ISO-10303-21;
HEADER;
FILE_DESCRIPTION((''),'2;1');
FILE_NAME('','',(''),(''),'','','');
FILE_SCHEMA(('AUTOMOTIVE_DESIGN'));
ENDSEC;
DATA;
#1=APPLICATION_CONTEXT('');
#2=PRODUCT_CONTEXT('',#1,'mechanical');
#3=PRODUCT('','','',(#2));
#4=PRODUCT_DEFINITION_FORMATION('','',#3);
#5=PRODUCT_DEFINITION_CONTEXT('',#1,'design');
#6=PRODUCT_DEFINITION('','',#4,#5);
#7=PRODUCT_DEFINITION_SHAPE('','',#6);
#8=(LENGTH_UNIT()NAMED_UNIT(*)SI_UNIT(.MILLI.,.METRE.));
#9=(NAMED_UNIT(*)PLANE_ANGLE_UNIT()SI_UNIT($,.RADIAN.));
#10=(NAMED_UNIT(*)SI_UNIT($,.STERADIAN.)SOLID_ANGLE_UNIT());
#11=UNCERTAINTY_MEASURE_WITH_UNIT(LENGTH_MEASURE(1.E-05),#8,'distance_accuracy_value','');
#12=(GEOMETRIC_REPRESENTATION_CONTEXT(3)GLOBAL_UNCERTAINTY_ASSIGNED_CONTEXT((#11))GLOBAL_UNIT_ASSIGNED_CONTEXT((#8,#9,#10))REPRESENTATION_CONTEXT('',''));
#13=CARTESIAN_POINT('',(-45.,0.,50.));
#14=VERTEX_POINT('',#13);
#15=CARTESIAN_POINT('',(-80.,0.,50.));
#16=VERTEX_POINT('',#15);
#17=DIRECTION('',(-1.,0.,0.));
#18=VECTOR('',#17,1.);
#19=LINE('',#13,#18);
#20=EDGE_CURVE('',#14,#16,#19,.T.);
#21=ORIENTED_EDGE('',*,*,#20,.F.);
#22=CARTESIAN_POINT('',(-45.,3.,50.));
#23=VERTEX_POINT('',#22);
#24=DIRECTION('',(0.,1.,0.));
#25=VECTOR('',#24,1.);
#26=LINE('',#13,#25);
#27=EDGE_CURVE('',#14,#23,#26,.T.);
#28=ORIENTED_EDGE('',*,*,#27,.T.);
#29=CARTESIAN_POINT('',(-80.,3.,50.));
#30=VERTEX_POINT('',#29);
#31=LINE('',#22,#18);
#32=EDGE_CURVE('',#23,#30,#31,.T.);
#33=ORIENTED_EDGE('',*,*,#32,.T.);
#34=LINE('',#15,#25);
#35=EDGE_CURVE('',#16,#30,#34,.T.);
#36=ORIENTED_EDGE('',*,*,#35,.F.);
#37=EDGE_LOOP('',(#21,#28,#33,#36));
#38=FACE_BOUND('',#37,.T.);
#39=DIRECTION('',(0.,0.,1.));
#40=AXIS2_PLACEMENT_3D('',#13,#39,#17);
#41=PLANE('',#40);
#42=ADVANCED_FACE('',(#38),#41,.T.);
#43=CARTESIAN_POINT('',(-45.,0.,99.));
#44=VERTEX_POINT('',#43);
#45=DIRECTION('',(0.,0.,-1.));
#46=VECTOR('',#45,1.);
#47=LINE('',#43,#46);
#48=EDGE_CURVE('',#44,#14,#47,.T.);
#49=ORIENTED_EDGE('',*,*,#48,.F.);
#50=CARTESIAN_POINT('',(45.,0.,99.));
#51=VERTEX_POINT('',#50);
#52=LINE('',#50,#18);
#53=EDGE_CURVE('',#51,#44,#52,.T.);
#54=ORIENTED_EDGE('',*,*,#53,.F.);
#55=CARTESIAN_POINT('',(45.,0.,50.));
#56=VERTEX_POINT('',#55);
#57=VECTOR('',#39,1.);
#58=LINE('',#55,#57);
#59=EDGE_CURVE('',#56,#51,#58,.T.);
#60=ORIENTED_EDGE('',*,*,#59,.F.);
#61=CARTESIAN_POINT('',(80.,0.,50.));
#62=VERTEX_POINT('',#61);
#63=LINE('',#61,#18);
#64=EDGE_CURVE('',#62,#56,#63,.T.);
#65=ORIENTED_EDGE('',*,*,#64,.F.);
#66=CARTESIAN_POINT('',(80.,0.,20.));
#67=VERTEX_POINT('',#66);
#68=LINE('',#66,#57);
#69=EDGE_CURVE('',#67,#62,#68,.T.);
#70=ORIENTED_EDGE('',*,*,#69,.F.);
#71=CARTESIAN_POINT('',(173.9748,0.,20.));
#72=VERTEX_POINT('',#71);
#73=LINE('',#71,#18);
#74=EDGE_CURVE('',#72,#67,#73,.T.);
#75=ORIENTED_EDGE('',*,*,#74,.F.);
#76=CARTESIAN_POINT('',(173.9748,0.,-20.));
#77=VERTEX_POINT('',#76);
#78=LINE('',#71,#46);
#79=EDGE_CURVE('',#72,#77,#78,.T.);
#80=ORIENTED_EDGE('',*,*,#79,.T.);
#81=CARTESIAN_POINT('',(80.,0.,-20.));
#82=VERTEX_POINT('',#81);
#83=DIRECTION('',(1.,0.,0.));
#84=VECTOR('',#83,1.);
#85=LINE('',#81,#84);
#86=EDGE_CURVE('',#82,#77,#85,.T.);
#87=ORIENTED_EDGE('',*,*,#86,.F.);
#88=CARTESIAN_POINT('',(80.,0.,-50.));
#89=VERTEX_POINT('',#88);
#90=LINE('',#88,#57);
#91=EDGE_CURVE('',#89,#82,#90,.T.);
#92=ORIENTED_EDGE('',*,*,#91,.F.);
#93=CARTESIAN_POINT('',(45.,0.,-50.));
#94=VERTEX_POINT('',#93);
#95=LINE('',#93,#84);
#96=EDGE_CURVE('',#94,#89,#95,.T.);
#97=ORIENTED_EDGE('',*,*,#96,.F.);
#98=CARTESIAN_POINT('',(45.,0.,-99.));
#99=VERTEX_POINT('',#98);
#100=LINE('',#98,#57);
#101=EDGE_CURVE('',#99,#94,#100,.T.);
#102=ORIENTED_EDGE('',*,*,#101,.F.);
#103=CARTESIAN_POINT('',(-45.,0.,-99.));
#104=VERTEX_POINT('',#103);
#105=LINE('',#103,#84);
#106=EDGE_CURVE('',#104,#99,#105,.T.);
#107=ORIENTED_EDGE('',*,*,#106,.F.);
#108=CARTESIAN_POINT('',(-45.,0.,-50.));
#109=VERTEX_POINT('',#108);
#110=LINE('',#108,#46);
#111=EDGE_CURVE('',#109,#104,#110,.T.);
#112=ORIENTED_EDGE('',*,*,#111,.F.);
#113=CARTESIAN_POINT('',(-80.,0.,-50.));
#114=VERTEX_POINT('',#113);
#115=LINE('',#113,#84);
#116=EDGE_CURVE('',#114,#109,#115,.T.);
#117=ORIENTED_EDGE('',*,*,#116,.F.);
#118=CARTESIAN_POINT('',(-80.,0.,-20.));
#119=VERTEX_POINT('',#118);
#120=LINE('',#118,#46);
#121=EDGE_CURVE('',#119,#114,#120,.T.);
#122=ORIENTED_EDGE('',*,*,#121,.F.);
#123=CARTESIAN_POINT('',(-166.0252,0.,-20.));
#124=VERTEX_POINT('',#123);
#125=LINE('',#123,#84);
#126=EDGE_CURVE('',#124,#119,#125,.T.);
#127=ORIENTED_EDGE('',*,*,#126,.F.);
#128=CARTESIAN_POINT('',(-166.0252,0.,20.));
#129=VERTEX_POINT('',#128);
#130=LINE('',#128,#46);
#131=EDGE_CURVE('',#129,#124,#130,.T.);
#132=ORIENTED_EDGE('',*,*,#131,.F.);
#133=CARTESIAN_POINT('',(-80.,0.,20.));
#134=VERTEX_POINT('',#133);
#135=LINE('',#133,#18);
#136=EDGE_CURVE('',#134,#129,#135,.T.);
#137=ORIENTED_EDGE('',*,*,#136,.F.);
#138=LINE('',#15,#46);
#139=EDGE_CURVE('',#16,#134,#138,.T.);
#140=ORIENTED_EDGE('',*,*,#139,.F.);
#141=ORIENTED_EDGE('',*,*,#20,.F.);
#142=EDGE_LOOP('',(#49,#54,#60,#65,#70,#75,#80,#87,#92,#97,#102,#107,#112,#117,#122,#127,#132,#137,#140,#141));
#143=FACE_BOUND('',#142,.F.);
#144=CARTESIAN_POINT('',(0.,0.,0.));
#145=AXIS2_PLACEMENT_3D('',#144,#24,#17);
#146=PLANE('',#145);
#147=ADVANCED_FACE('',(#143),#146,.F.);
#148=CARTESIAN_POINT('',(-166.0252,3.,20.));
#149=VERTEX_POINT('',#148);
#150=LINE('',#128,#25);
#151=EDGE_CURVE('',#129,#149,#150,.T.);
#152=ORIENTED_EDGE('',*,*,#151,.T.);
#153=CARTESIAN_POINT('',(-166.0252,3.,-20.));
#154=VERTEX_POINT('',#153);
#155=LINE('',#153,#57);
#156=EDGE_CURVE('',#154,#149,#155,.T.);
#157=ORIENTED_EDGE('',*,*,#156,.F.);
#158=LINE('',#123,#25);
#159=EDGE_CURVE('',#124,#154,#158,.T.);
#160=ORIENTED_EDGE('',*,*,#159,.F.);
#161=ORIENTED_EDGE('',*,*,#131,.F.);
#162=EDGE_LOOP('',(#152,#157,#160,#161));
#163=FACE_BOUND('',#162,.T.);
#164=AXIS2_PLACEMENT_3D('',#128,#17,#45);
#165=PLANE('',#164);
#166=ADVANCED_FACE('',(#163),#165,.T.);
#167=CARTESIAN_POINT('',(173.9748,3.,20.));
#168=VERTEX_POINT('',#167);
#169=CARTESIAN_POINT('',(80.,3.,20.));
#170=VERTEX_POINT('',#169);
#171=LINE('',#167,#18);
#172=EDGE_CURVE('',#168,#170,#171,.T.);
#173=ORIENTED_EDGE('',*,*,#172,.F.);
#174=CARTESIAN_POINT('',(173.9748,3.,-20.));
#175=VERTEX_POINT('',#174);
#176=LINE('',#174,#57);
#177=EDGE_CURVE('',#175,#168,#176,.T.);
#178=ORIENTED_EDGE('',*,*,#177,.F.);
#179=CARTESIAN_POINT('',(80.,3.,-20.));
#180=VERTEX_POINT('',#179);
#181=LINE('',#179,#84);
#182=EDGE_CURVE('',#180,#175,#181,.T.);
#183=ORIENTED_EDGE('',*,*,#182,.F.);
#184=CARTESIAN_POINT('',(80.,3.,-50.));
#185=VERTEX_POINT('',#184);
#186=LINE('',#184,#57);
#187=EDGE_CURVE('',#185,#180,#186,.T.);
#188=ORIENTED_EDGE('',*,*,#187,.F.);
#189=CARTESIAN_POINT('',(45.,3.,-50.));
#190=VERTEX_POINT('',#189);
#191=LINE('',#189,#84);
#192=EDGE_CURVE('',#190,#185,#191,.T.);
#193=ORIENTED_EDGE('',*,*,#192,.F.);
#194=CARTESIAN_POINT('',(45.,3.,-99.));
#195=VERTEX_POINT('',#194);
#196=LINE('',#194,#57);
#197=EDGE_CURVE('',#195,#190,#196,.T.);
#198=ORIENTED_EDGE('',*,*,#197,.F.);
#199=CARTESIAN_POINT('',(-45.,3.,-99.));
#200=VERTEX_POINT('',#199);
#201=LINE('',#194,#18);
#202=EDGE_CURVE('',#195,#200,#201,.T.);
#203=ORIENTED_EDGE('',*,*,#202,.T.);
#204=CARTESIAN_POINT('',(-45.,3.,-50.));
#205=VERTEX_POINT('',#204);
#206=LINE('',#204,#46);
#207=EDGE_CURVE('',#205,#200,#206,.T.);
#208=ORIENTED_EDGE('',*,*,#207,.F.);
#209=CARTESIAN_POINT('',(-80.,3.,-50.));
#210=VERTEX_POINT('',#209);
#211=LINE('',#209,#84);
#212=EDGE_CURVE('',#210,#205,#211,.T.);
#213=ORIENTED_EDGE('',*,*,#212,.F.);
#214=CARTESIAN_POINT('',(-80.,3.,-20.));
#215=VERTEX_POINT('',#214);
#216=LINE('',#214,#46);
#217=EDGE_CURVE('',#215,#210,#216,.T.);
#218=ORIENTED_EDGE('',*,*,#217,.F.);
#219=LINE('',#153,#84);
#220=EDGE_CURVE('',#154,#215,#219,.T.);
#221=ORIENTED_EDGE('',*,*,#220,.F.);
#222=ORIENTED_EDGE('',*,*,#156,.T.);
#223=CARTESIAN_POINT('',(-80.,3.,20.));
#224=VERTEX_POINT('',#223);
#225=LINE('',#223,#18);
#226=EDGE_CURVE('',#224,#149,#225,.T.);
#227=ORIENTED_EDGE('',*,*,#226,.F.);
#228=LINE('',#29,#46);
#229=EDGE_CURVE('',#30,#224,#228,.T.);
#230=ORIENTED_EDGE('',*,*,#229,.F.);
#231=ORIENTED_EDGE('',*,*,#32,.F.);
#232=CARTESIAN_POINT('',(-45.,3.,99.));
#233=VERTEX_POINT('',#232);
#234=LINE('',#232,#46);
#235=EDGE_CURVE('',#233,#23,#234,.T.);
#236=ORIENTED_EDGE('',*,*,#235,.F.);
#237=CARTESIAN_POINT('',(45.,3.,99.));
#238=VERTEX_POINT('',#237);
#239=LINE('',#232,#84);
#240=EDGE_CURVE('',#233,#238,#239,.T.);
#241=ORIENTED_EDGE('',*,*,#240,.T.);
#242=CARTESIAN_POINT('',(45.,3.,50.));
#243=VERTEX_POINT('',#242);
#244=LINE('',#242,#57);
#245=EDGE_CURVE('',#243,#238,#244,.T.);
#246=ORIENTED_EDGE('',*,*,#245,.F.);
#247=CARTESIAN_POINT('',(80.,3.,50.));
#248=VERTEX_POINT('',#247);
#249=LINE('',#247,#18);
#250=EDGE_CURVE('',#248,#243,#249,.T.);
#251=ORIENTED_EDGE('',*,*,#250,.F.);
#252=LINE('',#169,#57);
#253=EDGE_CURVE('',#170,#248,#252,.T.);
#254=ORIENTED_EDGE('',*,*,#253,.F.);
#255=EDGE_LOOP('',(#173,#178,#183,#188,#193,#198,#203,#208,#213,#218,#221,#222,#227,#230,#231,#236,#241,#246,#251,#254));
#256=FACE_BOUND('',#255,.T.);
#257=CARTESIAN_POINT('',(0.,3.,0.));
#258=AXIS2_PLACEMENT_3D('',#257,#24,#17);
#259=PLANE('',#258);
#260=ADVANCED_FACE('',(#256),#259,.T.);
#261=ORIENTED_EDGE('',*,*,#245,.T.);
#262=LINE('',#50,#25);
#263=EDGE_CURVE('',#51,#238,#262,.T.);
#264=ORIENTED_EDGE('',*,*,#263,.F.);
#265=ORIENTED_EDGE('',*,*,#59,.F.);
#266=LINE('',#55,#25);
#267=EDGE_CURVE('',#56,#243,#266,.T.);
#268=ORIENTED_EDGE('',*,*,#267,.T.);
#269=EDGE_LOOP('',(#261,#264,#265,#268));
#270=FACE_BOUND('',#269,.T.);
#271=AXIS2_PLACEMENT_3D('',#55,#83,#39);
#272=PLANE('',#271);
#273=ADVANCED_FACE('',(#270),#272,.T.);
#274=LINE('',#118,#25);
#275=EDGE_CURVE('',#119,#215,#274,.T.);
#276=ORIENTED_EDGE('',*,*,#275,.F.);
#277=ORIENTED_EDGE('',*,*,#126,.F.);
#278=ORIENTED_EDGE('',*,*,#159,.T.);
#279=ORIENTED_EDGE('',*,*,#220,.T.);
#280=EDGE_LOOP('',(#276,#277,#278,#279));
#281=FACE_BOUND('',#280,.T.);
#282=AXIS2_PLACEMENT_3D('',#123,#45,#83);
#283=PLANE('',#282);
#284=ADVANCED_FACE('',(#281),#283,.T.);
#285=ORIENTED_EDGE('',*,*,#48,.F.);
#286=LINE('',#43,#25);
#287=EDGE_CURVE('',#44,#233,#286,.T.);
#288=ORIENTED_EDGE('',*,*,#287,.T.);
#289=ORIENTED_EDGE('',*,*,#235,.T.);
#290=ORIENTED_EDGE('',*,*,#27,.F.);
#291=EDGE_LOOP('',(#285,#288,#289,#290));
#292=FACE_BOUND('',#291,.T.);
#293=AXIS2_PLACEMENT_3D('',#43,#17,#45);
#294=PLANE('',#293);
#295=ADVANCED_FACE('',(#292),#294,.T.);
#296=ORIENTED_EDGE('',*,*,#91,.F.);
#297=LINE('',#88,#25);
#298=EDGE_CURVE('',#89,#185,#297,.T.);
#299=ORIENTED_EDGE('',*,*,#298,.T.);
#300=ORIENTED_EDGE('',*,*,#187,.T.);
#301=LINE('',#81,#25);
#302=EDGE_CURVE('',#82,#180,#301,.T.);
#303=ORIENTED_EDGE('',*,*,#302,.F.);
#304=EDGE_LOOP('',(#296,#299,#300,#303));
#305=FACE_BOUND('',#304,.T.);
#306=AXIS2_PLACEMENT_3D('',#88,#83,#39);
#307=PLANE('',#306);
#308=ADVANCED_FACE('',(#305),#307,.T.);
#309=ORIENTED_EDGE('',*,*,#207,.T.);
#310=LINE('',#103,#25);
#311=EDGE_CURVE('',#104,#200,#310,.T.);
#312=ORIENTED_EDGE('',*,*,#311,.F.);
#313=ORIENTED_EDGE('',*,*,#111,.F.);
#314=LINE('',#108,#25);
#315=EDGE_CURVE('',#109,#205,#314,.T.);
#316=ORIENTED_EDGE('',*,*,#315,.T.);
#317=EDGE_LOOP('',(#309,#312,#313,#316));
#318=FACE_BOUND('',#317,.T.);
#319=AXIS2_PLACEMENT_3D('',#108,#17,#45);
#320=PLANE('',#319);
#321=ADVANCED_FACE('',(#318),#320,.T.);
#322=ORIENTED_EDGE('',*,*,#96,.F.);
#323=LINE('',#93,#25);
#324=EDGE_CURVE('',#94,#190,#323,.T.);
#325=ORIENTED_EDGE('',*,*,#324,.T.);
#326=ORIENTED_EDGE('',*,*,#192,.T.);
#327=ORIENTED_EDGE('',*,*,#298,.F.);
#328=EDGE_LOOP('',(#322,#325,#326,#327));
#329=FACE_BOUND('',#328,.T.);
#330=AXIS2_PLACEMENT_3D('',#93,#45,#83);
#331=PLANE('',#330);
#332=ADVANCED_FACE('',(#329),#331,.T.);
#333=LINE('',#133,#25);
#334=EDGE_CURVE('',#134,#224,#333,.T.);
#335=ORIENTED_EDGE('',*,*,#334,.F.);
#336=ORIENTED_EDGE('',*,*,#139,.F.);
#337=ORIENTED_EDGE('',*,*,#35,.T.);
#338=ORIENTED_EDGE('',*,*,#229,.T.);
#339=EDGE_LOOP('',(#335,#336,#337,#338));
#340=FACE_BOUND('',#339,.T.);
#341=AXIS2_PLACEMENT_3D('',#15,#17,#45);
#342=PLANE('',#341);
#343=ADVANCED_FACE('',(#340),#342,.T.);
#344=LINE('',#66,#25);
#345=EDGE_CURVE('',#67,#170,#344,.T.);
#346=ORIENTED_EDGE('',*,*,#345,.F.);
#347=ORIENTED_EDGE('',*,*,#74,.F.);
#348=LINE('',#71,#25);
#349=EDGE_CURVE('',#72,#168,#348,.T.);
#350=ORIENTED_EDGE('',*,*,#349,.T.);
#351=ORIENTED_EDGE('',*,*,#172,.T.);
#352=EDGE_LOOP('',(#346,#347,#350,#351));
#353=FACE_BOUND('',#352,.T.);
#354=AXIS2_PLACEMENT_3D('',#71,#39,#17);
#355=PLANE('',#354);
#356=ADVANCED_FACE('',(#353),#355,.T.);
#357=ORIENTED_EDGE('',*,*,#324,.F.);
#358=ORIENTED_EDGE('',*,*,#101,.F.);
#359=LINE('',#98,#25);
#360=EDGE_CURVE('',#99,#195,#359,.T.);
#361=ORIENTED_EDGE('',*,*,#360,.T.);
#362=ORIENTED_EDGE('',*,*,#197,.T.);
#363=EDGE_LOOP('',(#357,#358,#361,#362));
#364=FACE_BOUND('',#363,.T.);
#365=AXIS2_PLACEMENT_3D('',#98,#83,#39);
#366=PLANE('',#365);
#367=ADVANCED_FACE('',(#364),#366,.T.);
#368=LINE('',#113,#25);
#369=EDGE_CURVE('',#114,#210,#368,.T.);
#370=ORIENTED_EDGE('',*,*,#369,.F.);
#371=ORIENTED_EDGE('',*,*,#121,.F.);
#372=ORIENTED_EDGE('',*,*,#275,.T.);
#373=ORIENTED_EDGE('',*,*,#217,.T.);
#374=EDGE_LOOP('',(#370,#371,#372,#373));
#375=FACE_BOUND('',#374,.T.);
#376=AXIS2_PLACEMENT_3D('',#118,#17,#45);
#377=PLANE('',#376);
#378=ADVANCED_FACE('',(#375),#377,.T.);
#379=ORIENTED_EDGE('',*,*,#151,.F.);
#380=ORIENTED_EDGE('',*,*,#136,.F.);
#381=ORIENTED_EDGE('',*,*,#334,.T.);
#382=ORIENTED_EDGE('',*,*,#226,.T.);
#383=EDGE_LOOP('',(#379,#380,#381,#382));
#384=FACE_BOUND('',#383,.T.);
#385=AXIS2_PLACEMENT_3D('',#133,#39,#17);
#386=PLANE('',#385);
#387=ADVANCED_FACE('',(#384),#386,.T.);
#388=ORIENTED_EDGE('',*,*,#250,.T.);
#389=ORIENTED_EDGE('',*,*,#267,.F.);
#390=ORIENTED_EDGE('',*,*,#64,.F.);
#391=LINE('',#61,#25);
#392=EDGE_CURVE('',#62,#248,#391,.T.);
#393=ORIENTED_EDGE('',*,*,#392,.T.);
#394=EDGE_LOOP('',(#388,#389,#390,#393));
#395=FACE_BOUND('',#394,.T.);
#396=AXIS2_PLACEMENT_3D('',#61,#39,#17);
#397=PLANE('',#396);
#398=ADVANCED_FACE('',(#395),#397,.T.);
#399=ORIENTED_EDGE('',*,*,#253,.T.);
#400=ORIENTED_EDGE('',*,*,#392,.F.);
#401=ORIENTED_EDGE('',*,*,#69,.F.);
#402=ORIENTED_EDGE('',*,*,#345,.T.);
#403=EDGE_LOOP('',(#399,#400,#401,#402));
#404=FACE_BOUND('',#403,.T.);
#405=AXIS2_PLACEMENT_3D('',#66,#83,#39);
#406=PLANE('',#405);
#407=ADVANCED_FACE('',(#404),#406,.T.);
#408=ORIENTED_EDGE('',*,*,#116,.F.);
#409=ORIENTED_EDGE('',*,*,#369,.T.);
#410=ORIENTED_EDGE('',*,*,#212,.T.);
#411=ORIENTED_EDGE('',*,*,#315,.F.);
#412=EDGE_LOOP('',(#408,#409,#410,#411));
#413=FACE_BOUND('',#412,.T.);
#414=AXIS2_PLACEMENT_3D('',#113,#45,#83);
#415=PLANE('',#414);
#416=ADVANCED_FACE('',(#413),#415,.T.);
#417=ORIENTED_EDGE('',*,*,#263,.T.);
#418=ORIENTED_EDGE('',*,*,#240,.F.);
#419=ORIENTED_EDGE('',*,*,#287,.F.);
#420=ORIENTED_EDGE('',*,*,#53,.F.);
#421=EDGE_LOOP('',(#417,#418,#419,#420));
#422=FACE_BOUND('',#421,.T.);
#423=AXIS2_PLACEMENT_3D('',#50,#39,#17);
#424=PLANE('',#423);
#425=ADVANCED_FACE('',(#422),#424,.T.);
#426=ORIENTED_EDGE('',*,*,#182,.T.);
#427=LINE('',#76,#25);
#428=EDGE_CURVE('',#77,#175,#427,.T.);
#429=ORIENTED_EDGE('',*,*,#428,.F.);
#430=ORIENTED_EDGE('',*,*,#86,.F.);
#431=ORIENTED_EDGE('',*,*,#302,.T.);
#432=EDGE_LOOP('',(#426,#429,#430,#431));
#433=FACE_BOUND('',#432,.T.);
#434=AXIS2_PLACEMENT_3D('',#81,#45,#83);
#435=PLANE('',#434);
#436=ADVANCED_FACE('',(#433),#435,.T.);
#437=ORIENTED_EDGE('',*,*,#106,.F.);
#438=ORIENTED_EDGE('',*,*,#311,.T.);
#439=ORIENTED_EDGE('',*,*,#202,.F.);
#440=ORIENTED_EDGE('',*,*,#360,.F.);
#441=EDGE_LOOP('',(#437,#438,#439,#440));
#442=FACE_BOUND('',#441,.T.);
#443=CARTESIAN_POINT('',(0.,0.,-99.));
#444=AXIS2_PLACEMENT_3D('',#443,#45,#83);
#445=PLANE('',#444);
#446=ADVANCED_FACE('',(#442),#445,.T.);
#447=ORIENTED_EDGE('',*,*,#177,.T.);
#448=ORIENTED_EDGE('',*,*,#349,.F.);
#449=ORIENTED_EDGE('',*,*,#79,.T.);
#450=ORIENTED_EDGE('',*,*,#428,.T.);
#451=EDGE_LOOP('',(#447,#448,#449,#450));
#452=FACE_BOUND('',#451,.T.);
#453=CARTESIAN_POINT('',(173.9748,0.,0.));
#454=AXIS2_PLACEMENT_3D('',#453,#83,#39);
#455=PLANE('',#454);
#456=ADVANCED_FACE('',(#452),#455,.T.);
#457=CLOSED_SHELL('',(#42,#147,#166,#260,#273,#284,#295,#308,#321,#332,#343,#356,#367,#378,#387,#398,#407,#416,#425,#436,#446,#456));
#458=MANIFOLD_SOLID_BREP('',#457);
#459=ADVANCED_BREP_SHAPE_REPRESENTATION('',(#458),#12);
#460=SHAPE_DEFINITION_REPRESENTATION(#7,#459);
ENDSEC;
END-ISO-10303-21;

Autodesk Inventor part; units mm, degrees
ref_plane "YZ Plane" through (0, 0, 0) normal (1, 0, 0) x (0, 1, 0)
ref_plane "XZ Plane" through (0, 0, 0) normal (0, 1, 0) x (-1, 0, 0)
ref_plane "XY Plane" through (0, 0, 0) normal (0, 0, 1) x (1, 0, 0)
sketch "Skizze1" plane through (0, 0, 0) normal (0, 1, 0) x (-1, 0, 0)
  point P0 (0, 0)
sketch "Skizze2" plane through (0, 0, 0) normal (0, 1, 0) x (-1, 0, 0)
  line L0 (0, 99) -> (45, 99)
  line L1 (45, 99) -> (45, 50)
  line L2 (45, 50) -> (80, 50)
  line L3 (80, 50) -> (80, 20)
  line L4 (80, 20) -> (166.0252, 20)
  line L5 (166.0252, 20) -> (166.0252, -20)
  line L6 (166.0252, -20) -> (80, -20)
  line L7 (80, -20) -> (80, -50)
  line L8 (80, -50) -> (45, -50)
  line L9 (45, -50) -> (45, -99)
  line L10 (45, -99) -> (-45, -99)
  line L11 (-45, -99) -> (-45, -50)
  line L12 (-45, -50) -> (-80, -50)
  line L13 (-80, -50) -> (-80, -20)
  line L14 (-80, -20) -> (-173.9748, -20)
  line L15 (-173.9748, -20) -> (-173.9748, 20)
  line L16 (-173.9748, 20) -> (-80, 20)
  line L17 (-80, 20) -> (-80, 50)
  line L18 (-80, 50) -> (-45, 50)
  line L19 (-45, 50) -> (-45, 99)
  line L20 (-45, 99) -> (0, 99)
  line L21 (166.0252, 0) -> (-173.9748, 0)
  line L22 (0, 99) -> (0, -99)
  point P0 (0, 0)
  point P1 (-62.5, -50)
  point P2 (-62.5, 50)
  point P3 (0, -99)
  point P4 (-80, -35)
  point P5 (80, -35)
  dimension "d0" = 340
  dimension "d1" = 40
  dimension "d2" = 100
  dimension "d3" = 198
  dimension "d4" = 160
  dimension "d5" = 90
  dimension "d6" = 86.0252
extrude "Extrusion1" add sketch "Skizze2" along normal blind 3
properties part number "Platine"
